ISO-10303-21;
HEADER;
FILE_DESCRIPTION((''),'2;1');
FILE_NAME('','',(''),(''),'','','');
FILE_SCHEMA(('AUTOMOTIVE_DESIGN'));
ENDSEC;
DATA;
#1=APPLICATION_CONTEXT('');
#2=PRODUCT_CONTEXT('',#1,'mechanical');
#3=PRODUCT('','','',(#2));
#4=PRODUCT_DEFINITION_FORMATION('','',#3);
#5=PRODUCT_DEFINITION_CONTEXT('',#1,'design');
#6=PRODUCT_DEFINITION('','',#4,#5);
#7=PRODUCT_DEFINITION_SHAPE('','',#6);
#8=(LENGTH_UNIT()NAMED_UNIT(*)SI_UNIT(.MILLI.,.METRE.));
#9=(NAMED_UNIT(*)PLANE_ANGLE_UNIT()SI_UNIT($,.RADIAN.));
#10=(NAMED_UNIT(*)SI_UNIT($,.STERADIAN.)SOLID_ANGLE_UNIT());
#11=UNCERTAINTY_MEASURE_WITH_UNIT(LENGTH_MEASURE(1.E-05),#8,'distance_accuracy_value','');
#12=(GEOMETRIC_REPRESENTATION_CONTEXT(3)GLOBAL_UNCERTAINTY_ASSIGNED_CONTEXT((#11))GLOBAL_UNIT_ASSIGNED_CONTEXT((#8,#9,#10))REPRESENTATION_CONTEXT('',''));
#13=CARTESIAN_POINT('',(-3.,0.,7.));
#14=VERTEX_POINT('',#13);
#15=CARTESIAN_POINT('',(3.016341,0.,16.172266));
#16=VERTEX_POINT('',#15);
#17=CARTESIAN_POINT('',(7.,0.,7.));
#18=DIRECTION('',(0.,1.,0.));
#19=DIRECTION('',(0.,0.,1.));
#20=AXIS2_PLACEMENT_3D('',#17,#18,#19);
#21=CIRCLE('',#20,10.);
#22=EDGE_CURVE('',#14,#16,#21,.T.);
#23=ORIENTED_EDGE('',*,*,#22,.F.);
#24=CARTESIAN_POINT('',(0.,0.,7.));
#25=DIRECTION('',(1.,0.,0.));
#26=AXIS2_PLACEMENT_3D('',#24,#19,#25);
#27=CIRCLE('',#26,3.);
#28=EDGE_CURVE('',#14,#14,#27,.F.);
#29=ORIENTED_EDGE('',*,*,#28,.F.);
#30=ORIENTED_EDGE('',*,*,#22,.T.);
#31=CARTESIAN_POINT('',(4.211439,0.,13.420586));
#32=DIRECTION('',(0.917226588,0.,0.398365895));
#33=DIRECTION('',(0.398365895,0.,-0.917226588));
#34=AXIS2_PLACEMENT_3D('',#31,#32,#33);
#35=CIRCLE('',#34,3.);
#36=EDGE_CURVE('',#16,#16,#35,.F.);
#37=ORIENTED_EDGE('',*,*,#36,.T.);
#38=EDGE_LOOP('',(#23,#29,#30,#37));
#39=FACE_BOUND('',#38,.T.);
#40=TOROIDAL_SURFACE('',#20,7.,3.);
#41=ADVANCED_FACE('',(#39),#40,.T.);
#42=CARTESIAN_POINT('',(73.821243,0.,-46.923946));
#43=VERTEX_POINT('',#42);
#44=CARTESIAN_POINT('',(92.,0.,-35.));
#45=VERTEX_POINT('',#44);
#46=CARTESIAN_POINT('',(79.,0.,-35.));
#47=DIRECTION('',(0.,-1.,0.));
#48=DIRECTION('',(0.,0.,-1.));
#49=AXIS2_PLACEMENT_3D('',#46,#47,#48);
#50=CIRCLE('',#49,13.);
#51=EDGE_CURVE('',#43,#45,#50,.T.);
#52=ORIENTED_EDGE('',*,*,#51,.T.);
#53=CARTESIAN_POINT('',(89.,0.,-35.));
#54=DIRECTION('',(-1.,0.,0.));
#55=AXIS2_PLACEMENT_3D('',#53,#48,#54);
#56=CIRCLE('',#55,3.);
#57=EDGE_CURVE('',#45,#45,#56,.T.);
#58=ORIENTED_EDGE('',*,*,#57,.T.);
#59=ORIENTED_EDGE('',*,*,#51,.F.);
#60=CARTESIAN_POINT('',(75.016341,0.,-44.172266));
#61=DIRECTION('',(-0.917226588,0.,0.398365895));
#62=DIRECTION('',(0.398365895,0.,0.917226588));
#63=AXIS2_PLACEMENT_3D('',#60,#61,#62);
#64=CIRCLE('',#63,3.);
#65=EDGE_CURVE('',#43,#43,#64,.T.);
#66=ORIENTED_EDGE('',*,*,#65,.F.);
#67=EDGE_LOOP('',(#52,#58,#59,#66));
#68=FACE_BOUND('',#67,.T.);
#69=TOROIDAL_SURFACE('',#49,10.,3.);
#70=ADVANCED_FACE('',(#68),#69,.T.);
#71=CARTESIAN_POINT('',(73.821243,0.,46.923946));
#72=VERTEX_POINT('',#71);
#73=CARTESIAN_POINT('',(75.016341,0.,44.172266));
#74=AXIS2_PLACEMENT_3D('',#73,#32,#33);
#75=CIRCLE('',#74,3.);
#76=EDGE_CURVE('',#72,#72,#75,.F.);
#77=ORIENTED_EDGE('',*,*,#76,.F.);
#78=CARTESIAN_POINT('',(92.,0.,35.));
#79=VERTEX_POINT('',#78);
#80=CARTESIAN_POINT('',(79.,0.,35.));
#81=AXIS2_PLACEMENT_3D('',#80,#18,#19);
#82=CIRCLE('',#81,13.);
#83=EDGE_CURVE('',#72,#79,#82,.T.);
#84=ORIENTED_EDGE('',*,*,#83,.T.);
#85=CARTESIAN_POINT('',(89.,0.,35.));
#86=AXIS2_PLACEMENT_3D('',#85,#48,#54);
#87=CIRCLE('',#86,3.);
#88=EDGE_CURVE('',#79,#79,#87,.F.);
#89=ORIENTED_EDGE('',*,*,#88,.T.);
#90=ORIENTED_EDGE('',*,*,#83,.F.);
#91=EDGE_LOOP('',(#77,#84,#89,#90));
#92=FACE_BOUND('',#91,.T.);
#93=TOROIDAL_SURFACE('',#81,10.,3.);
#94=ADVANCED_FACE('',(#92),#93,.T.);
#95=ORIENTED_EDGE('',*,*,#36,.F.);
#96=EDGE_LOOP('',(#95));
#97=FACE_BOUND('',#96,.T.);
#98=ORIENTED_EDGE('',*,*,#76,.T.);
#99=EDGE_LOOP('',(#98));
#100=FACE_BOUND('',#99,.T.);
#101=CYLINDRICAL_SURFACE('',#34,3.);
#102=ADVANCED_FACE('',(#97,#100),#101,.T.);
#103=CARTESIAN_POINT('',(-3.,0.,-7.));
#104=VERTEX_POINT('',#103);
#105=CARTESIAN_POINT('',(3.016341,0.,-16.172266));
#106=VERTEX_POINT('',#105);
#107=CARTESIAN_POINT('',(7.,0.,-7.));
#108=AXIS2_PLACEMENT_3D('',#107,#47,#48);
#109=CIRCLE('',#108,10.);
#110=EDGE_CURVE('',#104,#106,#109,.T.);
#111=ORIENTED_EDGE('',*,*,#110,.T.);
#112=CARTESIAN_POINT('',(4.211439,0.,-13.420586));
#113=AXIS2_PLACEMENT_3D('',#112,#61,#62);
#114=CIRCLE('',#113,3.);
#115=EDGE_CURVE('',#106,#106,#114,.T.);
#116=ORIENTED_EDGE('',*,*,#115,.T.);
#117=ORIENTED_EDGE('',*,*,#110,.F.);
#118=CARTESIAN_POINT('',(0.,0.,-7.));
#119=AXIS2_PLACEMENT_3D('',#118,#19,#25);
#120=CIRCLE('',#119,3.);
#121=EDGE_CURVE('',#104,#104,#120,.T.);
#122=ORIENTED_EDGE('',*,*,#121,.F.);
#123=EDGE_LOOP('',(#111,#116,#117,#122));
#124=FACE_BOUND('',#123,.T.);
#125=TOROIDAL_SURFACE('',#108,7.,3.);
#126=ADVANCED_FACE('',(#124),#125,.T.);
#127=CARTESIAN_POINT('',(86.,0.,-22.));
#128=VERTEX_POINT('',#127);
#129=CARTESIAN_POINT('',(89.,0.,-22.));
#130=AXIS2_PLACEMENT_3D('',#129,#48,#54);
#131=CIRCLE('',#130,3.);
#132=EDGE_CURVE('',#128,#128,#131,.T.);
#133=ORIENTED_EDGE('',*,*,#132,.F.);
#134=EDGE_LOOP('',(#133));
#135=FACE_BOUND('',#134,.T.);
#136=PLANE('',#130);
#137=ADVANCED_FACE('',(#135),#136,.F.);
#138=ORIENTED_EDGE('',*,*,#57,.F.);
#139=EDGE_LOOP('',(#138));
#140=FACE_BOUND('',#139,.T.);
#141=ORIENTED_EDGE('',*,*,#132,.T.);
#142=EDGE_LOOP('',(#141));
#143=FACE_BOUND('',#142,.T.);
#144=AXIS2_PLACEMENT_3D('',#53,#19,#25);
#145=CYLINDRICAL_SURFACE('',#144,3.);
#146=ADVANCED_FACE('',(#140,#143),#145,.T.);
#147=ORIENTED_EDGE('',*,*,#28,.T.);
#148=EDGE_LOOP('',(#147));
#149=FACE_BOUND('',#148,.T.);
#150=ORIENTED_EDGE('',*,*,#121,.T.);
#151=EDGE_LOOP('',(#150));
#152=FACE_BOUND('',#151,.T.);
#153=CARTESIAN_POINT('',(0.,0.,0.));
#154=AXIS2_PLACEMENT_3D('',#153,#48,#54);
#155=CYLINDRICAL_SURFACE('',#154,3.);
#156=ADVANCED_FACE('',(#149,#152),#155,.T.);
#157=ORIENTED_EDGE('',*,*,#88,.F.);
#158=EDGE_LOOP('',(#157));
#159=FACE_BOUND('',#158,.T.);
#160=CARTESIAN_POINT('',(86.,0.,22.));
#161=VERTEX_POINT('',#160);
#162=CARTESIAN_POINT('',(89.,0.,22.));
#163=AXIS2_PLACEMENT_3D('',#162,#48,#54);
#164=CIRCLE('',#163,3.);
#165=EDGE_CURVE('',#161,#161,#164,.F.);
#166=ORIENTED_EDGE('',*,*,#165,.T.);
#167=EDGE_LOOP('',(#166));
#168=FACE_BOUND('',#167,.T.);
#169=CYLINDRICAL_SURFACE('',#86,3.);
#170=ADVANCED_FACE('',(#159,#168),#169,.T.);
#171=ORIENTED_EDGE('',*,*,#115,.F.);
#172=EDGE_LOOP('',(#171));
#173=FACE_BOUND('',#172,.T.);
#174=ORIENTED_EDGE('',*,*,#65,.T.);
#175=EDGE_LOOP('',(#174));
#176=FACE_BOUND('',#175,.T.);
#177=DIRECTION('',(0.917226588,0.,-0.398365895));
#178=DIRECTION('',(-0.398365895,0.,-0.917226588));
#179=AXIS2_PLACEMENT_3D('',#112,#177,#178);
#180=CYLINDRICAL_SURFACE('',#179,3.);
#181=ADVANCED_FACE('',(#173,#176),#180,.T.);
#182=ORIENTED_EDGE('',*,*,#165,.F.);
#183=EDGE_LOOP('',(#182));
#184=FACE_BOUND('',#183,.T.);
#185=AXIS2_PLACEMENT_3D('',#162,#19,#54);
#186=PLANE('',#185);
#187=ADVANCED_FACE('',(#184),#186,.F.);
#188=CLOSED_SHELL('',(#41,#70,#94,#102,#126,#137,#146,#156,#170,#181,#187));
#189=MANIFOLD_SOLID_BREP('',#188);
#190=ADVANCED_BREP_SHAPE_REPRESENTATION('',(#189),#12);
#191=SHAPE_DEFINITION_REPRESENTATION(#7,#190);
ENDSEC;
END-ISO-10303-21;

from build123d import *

# Parameters (mm, degrees)
CROQUIS2_R = 3


with BuildPart() as part:
    # Barrer1: sweep along a path in Croquis1
    with BuildLine(Plane(origin=(0, 0, 0), x_dir=(1, 0, 0), z_dir=(0, 1, 0))) as barrer1_path:
        Line((0, 0), (0, 7))
        ThreePointArc((0, 7), (1.146798787, 10.839275396), (4.211438733, 13.420586115))
        Line((4.211438733, 13.420586115), (75.016341047, 44.172265879))
        ThreePointArc((75.016341047, 44.172265879), (84.484679137, 43.361716018), (89, 35))
        Line((89, 35), (89, 22))
    # Croquis2 → Barrer1 (sweep)
    with BuildSketch(Plane.XY):
        Circle(CROQUIS2_R)
    barrer1 = sweep(path=barrer1_path.line)

    # Simetría1: Barrer1 across plane
    add(barrer1.mirror(Plane.XY))


solid = part.part
